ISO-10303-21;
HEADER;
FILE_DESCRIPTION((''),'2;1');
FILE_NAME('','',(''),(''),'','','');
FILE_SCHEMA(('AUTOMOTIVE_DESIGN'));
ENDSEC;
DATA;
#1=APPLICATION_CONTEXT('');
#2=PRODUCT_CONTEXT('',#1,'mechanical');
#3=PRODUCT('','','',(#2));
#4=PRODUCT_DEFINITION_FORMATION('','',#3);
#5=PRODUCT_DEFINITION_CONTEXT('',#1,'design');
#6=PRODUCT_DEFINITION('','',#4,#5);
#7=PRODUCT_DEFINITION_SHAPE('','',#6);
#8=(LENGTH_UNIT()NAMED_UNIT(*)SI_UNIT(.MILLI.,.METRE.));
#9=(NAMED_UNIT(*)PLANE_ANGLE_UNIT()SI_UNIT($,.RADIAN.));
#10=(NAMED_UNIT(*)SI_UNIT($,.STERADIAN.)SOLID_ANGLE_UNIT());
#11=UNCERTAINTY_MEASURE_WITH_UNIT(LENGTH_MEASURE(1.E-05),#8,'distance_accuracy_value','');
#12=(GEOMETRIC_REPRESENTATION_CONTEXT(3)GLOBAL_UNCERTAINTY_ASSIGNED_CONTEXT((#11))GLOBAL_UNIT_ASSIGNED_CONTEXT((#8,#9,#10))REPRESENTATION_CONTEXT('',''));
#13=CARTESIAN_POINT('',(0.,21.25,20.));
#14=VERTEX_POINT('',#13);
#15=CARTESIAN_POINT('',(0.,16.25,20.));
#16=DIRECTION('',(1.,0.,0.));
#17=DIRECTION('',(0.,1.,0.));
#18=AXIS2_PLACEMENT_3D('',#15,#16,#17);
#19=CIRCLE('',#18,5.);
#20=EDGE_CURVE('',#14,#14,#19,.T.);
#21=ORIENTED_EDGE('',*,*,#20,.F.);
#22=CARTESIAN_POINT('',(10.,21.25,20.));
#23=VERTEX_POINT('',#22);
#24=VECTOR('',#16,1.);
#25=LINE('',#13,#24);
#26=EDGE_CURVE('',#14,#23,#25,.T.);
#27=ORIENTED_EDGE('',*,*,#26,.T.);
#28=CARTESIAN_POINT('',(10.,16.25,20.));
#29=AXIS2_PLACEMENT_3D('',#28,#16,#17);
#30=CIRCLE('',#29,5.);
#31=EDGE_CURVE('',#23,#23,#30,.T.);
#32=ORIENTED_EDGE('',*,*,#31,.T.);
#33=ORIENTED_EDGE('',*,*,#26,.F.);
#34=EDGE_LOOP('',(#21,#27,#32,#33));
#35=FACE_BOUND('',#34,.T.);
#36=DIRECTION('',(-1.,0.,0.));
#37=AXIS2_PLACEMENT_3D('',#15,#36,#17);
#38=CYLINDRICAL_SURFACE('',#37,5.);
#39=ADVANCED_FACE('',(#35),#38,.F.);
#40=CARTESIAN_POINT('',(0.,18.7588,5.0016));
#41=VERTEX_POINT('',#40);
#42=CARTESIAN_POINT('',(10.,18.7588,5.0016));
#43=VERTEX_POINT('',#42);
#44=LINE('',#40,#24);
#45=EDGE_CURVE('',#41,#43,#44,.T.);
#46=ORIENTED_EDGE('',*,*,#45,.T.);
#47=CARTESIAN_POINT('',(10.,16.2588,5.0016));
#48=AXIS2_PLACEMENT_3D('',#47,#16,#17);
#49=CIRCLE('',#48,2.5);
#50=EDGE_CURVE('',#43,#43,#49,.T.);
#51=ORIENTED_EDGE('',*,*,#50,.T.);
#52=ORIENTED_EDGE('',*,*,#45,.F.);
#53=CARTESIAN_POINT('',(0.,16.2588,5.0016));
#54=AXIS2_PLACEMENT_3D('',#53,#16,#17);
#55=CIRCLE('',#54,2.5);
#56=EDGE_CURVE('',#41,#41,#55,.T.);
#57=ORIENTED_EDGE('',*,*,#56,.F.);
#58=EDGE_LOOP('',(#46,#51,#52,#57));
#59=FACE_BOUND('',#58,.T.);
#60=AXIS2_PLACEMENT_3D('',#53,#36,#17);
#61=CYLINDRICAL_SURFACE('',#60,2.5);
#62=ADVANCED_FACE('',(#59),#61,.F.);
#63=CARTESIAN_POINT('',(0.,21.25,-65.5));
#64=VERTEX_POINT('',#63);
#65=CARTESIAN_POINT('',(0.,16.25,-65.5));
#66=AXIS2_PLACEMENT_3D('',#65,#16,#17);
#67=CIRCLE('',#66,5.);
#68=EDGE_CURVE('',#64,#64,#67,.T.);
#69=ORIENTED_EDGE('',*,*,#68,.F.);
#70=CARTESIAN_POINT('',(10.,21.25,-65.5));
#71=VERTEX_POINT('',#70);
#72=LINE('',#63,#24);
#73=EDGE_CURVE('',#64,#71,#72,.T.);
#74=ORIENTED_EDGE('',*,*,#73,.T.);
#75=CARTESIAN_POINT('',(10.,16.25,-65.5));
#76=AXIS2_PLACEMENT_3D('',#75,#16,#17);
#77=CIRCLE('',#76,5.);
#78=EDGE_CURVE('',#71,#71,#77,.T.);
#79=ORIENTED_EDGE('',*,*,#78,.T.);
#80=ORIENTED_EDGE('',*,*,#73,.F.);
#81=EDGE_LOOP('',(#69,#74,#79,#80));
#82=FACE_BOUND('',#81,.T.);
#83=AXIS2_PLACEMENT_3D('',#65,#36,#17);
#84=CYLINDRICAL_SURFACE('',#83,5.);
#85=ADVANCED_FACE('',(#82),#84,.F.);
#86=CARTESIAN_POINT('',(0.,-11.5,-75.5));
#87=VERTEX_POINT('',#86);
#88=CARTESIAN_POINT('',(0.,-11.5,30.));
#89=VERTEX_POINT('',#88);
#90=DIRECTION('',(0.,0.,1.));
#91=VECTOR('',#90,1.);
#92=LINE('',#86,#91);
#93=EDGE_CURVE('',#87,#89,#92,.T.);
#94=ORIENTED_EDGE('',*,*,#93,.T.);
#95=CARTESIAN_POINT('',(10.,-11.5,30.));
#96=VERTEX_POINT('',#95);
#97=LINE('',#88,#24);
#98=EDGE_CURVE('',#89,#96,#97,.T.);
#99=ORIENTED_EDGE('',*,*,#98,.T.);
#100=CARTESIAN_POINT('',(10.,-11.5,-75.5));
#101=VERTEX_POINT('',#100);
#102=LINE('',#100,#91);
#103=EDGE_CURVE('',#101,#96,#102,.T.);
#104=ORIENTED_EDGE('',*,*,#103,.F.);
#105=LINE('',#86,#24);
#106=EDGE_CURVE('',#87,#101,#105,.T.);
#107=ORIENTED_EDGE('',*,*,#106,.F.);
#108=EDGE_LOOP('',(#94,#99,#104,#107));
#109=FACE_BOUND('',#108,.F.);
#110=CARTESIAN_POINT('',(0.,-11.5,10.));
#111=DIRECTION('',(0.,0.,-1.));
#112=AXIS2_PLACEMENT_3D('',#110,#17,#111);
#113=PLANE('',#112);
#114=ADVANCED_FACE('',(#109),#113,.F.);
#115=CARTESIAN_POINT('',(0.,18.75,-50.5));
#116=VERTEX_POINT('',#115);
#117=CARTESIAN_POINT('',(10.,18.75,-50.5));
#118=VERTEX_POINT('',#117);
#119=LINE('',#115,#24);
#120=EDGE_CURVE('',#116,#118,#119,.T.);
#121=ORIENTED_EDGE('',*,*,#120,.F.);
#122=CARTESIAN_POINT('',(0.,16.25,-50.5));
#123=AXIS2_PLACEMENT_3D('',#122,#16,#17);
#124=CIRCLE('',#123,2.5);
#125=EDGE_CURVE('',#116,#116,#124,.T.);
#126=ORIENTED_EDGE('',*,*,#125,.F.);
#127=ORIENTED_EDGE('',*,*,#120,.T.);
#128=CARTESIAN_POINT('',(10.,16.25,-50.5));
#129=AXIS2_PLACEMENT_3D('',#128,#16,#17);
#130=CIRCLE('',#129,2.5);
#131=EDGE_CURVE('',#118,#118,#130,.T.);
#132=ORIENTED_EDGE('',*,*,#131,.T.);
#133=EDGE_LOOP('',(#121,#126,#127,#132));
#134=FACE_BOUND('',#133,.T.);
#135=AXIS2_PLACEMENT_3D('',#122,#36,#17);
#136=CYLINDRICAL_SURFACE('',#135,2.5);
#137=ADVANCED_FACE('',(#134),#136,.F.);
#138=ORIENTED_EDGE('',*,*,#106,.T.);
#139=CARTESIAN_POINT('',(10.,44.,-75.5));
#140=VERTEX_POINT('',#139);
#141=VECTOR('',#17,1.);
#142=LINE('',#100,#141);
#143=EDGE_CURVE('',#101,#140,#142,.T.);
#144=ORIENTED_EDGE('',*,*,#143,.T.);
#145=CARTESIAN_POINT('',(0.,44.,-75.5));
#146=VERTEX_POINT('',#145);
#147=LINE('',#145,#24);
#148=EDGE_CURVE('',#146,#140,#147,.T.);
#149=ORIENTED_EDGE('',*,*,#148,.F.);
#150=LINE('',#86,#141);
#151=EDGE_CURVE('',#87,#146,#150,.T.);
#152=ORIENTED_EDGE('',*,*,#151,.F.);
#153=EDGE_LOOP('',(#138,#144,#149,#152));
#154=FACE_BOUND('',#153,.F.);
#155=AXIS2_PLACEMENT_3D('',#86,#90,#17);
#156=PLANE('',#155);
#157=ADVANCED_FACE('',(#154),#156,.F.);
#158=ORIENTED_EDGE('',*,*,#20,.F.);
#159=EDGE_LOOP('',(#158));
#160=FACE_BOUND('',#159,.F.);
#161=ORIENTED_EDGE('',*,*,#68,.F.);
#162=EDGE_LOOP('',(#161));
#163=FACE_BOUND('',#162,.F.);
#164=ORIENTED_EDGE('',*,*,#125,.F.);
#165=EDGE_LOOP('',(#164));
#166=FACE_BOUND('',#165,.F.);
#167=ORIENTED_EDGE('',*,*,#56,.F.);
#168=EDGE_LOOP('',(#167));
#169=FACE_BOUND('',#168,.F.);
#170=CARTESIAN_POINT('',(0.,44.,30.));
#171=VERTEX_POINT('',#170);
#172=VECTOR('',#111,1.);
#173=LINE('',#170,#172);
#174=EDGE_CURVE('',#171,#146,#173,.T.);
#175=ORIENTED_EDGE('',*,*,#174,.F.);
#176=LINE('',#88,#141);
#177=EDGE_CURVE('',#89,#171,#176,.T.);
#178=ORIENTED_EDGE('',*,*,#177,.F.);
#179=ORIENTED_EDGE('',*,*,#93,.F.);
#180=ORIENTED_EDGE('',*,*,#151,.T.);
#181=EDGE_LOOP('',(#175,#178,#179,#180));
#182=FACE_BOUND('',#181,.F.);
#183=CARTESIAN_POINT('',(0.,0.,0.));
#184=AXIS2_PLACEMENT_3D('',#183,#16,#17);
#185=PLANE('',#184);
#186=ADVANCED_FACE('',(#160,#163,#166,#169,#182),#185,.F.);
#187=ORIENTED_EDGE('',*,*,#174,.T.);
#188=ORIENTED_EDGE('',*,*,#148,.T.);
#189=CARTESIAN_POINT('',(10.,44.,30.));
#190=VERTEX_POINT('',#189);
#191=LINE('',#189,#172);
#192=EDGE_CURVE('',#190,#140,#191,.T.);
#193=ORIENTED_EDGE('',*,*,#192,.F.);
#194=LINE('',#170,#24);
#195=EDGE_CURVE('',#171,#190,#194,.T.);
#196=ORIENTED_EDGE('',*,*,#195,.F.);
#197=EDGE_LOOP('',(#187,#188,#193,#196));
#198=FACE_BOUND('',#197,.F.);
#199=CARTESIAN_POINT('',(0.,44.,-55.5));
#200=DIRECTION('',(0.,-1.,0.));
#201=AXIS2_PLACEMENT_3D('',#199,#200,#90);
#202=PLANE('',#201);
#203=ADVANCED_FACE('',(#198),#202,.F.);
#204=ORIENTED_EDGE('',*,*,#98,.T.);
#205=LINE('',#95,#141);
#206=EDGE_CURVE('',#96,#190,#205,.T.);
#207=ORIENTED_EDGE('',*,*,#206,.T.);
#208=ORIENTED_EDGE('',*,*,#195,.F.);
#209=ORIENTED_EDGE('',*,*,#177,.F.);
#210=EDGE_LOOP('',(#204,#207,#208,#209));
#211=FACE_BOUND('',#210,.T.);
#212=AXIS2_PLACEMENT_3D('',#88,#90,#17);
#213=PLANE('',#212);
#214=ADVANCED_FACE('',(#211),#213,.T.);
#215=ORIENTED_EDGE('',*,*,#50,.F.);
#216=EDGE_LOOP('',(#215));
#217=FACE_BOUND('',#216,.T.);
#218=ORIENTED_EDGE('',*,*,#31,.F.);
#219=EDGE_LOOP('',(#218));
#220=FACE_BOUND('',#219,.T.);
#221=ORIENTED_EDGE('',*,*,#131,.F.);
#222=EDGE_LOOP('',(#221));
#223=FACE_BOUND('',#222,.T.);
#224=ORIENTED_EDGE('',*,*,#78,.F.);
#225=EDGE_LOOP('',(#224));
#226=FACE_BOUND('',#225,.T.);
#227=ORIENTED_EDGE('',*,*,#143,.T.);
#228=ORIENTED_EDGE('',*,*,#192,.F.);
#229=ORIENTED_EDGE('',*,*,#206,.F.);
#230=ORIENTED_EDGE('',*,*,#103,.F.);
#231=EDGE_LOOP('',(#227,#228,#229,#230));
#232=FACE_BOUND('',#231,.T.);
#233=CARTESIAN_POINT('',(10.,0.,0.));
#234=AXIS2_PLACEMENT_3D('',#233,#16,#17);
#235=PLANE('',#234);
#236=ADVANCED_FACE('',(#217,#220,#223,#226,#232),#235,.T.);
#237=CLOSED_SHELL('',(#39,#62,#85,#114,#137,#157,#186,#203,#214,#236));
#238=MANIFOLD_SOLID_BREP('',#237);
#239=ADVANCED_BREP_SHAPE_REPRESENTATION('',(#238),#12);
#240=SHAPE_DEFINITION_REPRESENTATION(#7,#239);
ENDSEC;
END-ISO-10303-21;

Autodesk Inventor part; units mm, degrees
ref_plane "YZ Plane" through (0, 0, 0) normal (1, 0, 0) x (0, 1, 0)
ref_plane "XZ Plane" through (0, 0, 0) normal (0, 1, 0) x (-1, 0, 0)
ref_plane "XY Plane" through (0, 0, 0) normal (0, 0, 1) x (1, 0, 0)
sketch "Sketch1" plane through (0, 0, 0) normal (1, 0, 0) x (0, 1, 0)
  line L0 (-6, -12.5) -> (-6, -12.9)
  arc A0 (-6, -12.9) -> (-5.6, -13.3) centre (-5.6, -12.9) ccw
  line L1 (-5.6, -13.3) -> (-4.9, -13.3)
  arc A1 (-4.9, -13.3) -> (-4.7, -13.1) centre (-4.9, -13.1) ccw
  line L2 (-4.7, -13.1) -> (-4.7, -12.85)
  arc A2 (-4.5, -12.65) -> (-4.7, -12.85) centre (-4.5, -12.85) ccw
  line L3 (-4.5, -12.65) -> (-1.8, -12.65)
  arc A3 (-1.4, -13.05) -> (-1.8, -12.65) centre (-1.8, -13.05) ccw
  line L4 (-1.4, -13.05) -> (-1.4, -18.75)
  line L5 (-1.8, -19.15) -> (-4.5, -19.15)
  arc A4 (-1.8, -19.15) -> (-1.4, -18.75) centre (-1.8, -18.75) ccw
  arc A5 (-4.7, -18.95) -> (-4.5, -19.15) centre (-4.5, -18.95) ccw
  line L6 (-4.7, -18.95) -> (-4.7, -18.7)
  arc A6 (-4.7, -18.7) -> (-4.9, -18.5) centre (-4.9, -18.7) ccw
  line L7 (-4.9, -18.5) -> (-5.6, -18.5)
  arc A7 (-5.6, -18.5) -> (-6, -18.9) centre (-5.6, -18.9) ccw
  line L8 (-6, -18.9) -> (-6, -19.5)
  line L9 (-6.5, -6.5) -> (-6.5, -12.5)
  line L10 (-6.5, -12.5) -> (-2.5, -12.5)
  line L11 (-1.05, -19.5) -> (-6.5, -19.5)
  line L12 (-6.5, -19.5) -> (-6.5, -26)
  line L13 (-6.5, -26) -> (-1.05, -26)
  line L14 (-6, -26) -> (-6, -26.6)
  arc A8 (-6, -26.6) -> (-5.6, -27) centre (-5.6, -26.6) ccw
  line L15 (-5.6, -27) -> (-4.9, -27)
  arc A9 (-4.9, -27) -> (-4.7, -26.8) centre (-4.9, -26.8) ccw
  arc A10 (-4.5, -26.35) -> (-4.7, -26.55) centre (-4.5, -26.55) ccw
  line L16 (-4.7, -26.8) -> (-4.7, -26.55)
  line L17 (-4.5, -26.35) -> (-1.8, -26.35)
  arc A11 (-1.4, -26.75) -> (-1.8, -26.35) centre (-1.8, -26.75) ccw
  line L18 (-1.4, -26.75) -> (-1.4, -32.45)
  arc A12 (-1.8, -32.85) -> (-1.4, -32.45) centre (-1.8, -32.45) ccw
  line L19 (-1.8, -32.85) -> (-4.5, -32.85)
  arc A13 (-4.7, -32.65) -> (-4.5, -32.85) centre (-4.5, -32.65) ccw
  line L20 (-4.7, -32.65) -> (-4.7, -32.4)
  arc A14 (-4.7, -32.4) -> (-4.9, -32.2) centre (-4.9, -32.4) ccw
  line L21 (-4.9, -32.2) -> (-5.6, -32.2)
  arc A15 (-5.6, -32.2) -> (-6, -32.6) centre (-5.6, -32.6) ccw
  line L22 (-6, -32.6) -> (-6, -33)
  line L23 (-2.5, -33) -> (-6.5, -33)
  line L24 (-6.5, -33) -> (-6.5, -39)
  line L25 (32.5, 0) -> (0, 0)
  circle A16 centre (0, -6.5) radius 4.75
  circle A17 centre (32.5, -6.5) radius 4.75
  circle A18 centre (0, -39) radius 4.75
  circle A19 centre (32.5, -39) radius 4.75
  line L26 (39, -26) -> (39, -19.5)
  line L27 (39, -12.5) -> (39, -6.5)
  line L28 (39, -39) -> (39, -33)
  line L29 (26.5, -45.5) -> (32.5, -45.5)
  line L30 (0, -45.5) -> (6, -45.5)
  line L31 (13, -45.5) -> (19.5, -45.5)
  circle A20 centre (16.2588, 5.0016) radius 2.5
  circle A21 centre (16.25, -50.5) radius 2.5
  line L32 (44, 10) -> (-11.5, 10)
  line L33 (-11.5, 10) -> (-11.5, -55.5)
  line L34 (-11.5, -55.5) -> (44, -55.5)
  line L35 (44, -55.5) -> (44, 10)
  line L36 (44, 10) -> (-11.5, 10)
  line L37 (-11.5, 10) -> (-11.5, 30)
  line L38 (-11.5, 30) -> (44, 30)
  line L39 (44, 30) -> (44, 10)
  line L40 (44, -55.5) -> (-11.5, -55.5)
  line L41 (-11.5, -55.5) -> (-11.5, -75.5)
  line L42 (-11.5, -75.5) -> (44, -75.5)
  line L43 (44, -75.5) -> (44, -55.5)
  circle A22 centre (16.25, 20) radius 5
  circle A23 centre (16.25, -65.5) radius 5
  point P0 (24.75, -17.8425)
  point P1 (-11.5, 10)
  dimension "d0" = 20
  dimension "d1" = 20
  dimension "d2" = 10
  dimension "d3" = 10
extrude "Extrusion1" add sketch "Sketch1" along normal blind 10 contours A16 | A17 | A18 | A19 | L35 L34 L33 L32 | L32 L37 L38 L39 | L43 L42 L41 L34
properties part number "PlacaBaseHidráulicos_CPY"
